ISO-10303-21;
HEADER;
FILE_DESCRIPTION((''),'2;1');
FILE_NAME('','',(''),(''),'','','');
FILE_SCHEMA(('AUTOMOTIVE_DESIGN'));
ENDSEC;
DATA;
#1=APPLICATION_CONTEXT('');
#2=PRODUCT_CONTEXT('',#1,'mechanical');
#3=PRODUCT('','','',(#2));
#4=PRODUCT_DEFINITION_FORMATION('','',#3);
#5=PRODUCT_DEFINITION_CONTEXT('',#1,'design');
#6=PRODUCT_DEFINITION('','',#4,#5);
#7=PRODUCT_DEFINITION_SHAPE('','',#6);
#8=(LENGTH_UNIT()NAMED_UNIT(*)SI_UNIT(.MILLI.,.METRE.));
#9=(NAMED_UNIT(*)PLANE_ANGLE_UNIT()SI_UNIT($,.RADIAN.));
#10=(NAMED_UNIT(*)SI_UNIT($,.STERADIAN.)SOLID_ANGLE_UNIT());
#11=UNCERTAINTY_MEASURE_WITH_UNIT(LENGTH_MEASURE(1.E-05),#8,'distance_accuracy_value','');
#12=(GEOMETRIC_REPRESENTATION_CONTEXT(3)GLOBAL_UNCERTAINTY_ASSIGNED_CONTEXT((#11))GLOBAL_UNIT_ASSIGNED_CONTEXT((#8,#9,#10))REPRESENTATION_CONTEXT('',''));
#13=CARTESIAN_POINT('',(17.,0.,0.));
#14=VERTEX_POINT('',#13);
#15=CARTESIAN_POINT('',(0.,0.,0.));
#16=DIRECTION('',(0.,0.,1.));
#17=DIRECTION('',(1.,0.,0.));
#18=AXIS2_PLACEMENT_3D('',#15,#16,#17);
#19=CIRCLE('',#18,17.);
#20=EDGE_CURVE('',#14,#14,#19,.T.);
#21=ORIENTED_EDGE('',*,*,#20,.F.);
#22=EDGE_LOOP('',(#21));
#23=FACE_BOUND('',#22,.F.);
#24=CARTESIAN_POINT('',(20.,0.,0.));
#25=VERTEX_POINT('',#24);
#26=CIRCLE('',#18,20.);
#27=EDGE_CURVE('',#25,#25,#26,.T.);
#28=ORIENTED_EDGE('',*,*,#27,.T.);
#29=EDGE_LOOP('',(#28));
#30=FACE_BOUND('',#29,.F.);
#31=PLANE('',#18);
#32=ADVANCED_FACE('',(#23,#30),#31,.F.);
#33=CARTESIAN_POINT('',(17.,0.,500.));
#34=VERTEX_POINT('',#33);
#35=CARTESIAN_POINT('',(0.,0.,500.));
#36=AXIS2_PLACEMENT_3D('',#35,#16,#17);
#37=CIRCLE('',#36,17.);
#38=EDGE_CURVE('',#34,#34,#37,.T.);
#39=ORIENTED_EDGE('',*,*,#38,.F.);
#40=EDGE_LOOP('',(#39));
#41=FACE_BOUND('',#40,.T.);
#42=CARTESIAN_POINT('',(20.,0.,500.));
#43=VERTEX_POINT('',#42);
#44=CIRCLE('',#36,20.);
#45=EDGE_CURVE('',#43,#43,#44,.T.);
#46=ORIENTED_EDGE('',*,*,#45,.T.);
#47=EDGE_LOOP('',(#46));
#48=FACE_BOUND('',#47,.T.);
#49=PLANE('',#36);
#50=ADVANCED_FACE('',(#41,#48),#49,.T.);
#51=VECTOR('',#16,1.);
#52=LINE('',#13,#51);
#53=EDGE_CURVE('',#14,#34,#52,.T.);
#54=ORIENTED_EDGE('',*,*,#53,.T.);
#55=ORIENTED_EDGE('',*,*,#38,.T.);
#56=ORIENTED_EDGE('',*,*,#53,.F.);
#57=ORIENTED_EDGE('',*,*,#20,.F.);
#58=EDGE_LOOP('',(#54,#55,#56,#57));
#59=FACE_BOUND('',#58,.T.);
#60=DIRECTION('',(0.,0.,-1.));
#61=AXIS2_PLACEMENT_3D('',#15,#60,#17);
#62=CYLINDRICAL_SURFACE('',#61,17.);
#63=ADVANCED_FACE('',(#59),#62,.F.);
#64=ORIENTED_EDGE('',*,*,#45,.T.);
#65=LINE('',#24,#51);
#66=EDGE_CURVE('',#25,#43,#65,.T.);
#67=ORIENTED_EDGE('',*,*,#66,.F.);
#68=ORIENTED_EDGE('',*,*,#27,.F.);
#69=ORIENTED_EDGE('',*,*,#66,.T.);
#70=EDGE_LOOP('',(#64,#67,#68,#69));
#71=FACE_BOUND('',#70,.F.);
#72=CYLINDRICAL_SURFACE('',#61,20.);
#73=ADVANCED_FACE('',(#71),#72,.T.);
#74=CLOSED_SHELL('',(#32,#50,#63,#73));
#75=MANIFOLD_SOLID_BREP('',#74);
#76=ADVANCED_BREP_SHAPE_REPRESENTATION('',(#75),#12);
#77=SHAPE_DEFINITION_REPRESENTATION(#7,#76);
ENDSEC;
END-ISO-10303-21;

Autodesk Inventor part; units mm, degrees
ref_plane "YZ Plane" through (0, 0, 0) normal (1, 0, 0) x (0, 1, 0)
ref_plane "XZ Plane" through (0, 0, 0) normal (0, 1, 0) x (-1, 0, 0)
ref_plane "XY Plane" through (0, 0, 0) normal (0, 0, 1) x (1, 0, 0)
sketch "Sketch1" plane through (0, 0, 0) normal (0, 0, 1) x (1, 0, 0)
  circle A0 centre (0, 0) radius 17
  circle A1 centre (0, 0) radius 20
  dimension "d1" = 3
  dimension "d4" = 40
extrude "Extrusion1" add sketch "Sketch1" along normal blind 500
properties part number "pipe1.5m" material "ABS Plastic"
